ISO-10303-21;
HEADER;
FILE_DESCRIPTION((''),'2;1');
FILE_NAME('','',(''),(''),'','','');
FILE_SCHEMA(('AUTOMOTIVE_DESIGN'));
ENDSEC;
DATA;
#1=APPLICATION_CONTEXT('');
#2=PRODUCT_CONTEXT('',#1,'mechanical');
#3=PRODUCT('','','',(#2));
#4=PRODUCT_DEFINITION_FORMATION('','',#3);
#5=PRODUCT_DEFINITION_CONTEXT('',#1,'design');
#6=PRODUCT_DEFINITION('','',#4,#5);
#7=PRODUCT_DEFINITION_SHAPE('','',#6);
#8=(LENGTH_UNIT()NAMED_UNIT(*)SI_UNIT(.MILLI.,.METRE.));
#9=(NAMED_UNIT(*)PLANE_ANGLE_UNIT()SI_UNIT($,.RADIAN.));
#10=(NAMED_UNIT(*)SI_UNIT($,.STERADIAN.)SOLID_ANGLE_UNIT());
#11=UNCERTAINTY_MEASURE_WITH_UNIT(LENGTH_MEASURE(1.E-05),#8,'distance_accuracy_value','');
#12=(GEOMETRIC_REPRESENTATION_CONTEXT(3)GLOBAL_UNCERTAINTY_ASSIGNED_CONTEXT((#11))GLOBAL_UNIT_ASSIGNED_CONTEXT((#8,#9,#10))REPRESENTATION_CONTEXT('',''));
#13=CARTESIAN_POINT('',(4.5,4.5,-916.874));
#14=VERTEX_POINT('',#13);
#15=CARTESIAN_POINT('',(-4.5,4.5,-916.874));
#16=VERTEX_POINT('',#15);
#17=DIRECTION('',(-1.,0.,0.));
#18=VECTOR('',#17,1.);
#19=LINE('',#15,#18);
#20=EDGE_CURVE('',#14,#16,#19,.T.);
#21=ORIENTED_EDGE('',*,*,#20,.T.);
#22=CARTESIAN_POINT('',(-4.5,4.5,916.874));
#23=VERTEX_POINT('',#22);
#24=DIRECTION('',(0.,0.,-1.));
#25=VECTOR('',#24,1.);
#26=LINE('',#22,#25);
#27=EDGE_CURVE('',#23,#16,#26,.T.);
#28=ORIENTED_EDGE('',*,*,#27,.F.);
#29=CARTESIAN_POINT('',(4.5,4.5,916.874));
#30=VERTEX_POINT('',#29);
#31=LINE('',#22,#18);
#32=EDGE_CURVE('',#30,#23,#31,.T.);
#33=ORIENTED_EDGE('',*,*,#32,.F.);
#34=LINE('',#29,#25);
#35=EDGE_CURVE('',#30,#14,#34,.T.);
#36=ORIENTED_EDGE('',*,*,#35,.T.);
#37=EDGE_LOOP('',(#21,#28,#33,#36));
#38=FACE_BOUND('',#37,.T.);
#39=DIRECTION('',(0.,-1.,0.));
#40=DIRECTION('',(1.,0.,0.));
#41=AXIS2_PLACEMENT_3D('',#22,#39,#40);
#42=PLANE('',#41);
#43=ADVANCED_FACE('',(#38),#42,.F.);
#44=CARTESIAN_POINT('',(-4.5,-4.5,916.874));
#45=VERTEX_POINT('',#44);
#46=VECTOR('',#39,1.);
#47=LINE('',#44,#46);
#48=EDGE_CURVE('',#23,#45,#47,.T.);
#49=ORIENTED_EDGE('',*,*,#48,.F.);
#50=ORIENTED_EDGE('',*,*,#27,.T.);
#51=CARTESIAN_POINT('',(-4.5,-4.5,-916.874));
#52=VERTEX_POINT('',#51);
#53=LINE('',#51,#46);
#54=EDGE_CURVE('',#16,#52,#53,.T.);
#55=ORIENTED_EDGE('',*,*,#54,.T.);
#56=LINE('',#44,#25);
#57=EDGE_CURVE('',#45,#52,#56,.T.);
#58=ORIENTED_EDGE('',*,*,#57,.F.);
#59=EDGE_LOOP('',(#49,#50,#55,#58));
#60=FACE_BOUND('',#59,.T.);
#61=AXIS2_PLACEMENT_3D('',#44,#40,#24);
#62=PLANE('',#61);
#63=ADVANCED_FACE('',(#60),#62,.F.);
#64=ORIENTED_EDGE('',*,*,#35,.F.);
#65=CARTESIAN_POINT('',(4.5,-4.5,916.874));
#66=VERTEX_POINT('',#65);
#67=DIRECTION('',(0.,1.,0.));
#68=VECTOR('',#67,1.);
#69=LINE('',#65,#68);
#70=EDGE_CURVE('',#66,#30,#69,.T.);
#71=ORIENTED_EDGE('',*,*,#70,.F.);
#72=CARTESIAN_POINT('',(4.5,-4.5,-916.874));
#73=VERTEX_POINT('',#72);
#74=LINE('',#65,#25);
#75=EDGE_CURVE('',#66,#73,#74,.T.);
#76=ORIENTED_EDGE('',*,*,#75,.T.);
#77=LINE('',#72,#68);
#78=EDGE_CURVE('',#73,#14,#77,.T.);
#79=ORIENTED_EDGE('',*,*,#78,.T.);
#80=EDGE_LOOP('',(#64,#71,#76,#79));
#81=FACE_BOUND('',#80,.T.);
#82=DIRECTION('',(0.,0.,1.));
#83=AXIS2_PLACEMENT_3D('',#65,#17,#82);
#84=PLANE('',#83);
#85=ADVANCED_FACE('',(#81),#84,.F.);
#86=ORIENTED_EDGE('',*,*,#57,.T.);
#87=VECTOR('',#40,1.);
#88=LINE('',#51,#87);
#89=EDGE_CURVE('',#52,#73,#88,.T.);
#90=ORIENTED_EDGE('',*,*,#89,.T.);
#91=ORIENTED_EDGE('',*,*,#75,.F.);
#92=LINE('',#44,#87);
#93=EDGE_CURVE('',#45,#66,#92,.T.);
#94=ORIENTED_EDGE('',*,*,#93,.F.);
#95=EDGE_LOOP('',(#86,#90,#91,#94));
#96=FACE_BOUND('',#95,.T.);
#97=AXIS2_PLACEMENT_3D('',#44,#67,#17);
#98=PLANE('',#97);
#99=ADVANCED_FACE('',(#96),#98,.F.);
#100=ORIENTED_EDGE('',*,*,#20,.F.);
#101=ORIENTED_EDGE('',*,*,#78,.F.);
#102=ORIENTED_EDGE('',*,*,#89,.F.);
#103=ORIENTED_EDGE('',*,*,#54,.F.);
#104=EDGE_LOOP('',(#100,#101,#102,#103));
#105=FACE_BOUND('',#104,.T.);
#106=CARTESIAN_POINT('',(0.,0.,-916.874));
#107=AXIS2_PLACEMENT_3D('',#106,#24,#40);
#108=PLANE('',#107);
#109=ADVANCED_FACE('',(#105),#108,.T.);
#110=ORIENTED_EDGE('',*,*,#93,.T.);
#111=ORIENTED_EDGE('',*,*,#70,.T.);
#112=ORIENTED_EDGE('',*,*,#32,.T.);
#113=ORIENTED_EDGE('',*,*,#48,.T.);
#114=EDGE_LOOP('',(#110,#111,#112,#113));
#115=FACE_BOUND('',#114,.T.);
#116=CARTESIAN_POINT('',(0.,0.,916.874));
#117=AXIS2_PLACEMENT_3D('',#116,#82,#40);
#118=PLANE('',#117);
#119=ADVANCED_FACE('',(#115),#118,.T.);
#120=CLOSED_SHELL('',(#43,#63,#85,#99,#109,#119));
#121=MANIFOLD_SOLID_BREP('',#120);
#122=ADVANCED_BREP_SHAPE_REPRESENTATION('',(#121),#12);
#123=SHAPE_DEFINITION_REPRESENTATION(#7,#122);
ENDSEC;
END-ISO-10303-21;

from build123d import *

# Parameters (mm, degrees)
SKETCH1_W           = 9
SKETCH1_H           = 9
BOSS_EXTRUDE1_DEPTH = 916.874


with BuildPart() as part:
    # Sketch1 → Boss-Extrude1 (new body)
    with BuildSketch(Plane.XY):
        Rectangle(SKETCH1_W, SKETCH1_H)
    extrude(amount=BOSS_EXTRUDE1_DEPTH)

    # Mirror1: part across plane


with BuildPart() as part_1:
    add(part.part)
    add(part.part.mirror(Plane.XY))


solid = part_1.part
